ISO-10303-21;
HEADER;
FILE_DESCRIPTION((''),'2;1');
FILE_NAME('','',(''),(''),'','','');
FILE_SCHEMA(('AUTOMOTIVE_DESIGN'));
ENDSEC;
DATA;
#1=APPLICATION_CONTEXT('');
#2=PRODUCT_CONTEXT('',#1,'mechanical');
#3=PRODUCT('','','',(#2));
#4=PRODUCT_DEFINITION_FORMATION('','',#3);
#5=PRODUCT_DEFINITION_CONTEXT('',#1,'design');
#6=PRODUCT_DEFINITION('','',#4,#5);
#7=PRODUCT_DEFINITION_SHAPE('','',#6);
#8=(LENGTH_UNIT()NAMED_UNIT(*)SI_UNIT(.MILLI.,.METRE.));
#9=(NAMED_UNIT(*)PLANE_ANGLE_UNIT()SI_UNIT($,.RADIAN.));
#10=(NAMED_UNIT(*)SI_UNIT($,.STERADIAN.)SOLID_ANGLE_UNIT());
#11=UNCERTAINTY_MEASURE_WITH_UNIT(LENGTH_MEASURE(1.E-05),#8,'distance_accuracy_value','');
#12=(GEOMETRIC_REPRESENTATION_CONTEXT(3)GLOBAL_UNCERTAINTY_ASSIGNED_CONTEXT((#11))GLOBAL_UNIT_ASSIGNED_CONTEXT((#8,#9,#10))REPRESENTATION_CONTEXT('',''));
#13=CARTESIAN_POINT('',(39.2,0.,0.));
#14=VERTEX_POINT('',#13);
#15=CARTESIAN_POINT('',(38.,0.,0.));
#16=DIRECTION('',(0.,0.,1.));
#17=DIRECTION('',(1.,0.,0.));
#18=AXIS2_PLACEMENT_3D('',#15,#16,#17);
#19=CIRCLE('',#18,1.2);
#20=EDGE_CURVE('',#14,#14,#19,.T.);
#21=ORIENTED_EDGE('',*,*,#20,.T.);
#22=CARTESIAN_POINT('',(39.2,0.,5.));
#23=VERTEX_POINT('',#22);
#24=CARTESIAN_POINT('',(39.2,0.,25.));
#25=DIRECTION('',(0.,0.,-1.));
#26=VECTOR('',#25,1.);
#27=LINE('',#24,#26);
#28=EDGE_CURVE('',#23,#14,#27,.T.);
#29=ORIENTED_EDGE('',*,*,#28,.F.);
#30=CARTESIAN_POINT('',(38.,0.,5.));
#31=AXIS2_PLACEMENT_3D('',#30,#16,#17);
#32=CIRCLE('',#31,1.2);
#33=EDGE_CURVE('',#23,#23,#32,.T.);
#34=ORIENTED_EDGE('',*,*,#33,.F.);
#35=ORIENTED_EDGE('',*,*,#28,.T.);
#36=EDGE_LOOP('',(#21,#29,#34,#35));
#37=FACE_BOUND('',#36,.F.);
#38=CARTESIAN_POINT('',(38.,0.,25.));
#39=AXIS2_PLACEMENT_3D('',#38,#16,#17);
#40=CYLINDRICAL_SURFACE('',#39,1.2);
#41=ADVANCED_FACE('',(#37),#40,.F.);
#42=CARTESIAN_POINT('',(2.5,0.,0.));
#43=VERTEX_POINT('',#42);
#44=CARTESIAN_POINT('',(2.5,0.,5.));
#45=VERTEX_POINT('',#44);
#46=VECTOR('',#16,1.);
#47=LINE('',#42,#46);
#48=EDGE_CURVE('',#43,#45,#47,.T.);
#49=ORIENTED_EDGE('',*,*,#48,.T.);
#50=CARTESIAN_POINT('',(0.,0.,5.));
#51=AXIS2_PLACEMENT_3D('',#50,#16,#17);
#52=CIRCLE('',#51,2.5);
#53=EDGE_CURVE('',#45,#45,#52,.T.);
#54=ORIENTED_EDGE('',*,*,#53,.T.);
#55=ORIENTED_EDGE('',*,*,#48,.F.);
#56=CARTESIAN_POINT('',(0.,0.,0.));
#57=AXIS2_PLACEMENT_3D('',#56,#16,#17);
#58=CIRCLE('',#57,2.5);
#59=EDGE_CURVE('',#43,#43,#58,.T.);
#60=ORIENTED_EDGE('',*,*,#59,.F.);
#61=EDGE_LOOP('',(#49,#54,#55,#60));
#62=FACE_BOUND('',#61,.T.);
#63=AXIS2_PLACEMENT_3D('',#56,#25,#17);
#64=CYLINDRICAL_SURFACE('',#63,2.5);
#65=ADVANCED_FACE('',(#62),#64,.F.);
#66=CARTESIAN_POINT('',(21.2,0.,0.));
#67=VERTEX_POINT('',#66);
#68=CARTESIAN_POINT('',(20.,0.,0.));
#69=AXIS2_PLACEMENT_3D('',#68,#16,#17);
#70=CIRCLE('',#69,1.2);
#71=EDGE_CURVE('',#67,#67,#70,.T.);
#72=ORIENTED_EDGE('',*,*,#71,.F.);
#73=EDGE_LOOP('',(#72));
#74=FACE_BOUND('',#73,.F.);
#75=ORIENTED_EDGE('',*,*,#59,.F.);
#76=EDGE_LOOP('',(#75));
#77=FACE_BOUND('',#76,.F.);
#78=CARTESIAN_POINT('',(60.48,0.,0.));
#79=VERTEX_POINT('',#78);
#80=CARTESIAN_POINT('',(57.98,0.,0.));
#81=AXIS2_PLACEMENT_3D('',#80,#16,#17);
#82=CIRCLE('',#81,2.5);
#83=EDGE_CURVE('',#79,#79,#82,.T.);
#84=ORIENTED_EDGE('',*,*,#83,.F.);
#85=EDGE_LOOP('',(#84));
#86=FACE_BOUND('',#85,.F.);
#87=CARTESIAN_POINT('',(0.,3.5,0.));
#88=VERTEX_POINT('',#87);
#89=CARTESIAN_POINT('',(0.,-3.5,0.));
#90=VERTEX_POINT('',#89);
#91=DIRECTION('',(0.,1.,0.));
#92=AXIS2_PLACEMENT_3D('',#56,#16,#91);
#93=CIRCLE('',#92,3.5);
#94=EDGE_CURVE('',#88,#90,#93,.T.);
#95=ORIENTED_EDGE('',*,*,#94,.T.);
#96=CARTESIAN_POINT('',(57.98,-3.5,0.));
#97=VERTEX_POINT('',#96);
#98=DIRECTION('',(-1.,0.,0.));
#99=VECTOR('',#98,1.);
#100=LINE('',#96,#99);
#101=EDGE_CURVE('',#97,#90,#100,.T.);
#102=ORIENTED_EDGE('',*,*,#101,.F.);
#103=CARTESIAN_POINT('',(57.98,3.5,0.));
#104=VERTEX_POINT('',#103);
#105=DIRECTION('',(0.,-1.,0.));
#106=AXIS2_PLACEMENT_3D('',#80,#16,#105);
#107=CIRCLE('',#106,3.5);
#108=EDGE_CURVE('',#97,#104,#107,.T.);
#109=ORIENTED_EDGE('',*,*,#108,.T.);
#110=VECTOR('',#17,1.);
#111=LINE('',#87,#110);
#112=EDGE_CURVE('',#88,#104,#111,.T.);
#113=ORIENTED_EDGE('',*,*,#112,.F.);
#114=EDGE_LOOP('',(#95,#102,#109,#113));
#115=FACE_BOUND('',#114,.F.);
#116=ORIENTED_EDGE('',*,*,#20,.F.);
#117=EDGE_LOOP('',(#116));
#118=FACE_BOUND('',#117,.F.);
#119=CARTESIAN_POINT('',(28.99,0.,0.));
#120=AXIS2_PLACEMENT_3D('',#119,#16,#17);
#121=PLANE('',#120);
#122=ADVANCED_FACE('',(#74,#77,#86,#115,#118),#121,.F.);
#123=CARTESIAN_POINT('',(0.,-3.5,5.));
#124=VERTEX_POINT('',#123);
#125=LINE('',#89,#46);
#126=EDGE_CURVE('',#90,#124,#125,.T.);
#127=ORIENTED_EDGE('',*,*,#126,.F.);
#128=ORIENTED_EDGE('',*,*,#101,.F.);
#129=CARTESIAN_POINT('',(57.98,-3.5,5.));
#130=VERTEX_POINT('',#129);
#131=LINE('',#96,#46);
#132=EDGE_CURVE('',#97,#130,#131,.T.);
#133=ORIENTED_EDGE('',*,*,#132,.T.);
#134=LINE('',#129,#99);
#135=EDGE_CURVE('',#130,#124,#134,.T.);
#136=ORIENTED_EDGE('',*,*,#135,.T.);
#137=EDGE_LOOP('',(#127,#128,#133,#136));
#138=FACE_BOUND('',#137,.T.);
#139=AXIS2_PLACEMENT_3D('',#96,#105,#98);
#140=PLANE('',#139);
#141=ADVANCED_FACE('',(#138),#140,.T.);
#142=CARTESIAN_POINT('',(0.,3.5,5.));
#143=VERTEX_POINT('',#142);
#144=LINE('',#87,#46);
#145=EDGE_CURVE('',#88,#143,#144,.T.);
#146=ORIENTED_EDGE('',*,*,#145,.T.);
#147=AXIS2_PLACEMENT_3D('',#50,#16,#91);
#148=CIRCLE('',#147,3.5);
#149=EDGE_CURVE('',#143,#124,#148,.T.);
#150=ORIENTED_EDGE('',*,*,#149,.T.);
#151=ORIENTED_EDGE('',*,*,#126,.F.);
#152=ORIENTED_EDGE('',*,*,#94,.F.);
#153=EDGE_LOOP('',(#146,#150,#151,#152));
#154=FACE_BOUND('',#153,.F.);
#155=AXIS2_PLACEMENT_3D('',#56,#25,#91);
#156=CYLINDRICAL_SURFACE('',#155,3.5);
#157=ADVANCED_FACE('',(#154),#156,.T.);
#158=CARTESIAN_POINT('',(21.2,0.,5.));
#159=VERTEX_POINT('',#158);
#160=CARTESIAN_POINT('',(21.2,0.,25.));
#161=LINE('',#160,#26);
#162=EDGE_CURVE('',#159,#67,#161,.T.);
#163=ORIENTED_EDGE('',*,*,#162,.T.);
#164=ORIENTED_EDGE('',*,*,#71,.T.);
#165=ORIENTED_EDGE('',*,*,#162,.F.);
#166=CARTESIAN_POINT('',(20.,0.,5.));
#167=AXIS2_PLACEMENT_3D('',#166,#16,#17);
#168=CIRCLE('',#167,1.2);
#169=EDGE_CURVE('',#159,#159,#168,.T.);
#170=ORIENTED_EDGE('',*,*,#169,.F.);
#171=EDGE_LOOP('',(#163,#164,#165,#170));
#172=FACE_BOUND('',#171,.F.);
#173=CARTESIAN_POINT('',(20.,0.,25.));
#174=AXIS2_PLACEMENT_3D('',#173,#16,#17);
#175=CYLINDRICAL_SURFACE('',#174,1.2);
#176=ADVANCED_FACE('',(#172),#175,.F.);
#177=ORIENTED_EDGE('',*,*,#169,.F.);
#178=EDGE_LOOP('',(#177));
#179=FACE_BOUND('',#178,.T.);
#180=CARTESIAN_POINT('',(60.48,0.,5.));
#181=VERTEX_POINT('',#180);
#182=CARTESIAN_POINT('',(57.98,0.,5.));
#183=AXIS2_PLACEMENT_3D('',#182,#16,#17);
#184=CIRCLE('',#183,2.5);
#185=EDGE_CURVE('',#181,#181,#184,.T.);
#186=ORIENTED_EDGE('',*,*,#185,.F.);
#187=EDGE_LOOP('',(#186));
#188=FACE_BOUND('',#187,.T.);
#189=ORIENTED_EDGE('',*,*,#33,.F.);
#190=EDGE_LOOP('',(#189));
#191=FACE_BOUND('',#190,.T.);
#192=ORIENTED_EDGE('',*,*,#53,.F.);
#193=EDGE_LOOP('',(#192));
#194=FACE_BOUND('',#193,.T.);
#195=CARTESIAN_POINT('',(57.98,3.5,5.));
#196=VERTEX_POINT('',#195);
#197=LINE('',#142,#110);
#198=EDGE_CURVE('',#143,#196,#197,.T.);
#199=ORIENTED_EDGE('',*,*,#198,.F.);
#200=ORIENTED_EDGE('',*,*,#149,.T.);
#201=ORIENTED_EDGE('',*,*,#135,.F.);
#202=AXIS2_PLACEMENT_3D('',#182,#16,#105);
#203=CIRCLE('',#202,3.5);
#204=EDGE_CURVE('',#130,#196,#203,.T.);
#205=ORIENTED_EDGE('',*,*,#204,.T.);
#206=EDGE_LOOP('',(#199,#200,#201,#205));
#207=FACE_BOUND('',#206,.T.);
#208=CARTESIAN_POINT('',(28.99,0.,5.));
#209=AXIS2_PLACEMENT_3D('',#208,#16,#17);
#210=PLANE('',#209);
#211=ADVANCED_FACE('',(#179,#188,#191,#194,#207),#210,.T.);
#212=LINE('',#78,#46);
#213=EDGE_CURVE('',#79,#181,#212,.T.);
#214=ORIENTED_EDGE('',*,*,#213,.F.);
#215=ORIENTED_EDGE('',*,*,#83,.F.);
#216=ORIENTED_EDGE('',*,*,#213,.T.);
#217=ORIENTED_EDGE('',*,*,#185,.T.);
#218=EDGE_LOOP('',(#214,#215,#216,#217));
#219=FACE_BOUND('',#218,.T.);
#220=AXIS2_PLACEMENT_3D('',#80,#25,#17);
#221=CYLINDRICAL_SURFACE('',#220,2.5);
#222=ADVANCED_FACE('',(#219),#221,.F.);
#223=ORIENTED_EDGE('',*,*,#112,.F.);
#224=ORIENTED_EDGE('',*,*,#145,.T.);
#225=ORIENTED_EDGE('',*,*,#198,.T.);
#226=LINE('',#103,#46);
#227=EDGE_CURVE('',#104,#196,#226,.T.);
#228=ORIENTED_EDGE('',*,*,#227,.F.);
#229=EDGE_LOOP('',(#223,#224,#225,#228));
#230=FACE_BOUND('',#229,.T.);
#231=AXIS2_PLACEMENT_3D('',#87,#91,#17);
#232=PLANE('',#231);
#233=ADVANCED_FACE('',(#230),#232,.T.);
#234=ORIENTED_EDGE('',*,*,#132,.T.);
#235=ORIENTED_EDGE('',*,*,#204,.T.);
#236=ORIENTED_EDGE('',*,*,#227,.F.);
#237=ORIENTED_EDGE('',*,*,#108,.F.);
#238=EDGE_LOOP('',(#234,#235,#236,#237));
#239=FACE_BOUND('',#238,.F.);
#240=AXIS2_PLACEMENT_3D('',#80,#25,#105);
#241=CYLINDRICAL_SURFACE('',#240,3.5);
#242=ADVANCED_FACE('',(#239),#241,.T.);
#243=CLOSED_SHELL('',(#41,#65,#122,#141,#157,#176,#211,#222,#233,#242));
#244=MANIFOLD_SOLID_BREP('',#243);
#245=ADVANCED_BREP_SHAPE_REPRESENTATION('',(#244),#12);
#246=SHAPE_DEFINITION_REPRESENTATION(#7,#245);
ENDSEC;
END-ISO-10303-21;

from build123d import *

# Parameters (mm, degrees)
SKETCH_R     = 2.5
PAD_DEPTH    = 5
SKETCH002_R  = 1.2
POCKET_DEPTH = 25.001


with BuildPart() as part:
    # Sketch → Pad (new body)
    with BuildSketch(Plane.XY):
        with BuildLine():
            ThreePointArc((0, 3.5), (-3.5, 0), (0, -3.5))
            Line((57.98, -3.5), (0, -3.5))
            ThreePointArc((57.98, -3.5), (61.48, 0), (57.98, 3.5))
            Line((0, 3.5), (57.98, 3.5))
        make_face()
        Circle(SKETCH_R, mode=Mode.SUBTRACT)
        with Locations((57.98, 0)):
            Circle(SKETCH_R, mode=Mode.SUBTRACT)
    extrude(amount=PAD_DEPTH)

    # Sketch002 → Pocket (cut, through all)
    with BuildSketch(Plane.XY.offset(25)):
        with Locations((20, 0)):
            Circle(SKETCH002_R)
        with Locations((38, 0)):
            Circle(SKETCH002_R)
    extrude(amount=-POCKET_DEPTH, mode=Mode.SUBTRACT)


solid = part.part
